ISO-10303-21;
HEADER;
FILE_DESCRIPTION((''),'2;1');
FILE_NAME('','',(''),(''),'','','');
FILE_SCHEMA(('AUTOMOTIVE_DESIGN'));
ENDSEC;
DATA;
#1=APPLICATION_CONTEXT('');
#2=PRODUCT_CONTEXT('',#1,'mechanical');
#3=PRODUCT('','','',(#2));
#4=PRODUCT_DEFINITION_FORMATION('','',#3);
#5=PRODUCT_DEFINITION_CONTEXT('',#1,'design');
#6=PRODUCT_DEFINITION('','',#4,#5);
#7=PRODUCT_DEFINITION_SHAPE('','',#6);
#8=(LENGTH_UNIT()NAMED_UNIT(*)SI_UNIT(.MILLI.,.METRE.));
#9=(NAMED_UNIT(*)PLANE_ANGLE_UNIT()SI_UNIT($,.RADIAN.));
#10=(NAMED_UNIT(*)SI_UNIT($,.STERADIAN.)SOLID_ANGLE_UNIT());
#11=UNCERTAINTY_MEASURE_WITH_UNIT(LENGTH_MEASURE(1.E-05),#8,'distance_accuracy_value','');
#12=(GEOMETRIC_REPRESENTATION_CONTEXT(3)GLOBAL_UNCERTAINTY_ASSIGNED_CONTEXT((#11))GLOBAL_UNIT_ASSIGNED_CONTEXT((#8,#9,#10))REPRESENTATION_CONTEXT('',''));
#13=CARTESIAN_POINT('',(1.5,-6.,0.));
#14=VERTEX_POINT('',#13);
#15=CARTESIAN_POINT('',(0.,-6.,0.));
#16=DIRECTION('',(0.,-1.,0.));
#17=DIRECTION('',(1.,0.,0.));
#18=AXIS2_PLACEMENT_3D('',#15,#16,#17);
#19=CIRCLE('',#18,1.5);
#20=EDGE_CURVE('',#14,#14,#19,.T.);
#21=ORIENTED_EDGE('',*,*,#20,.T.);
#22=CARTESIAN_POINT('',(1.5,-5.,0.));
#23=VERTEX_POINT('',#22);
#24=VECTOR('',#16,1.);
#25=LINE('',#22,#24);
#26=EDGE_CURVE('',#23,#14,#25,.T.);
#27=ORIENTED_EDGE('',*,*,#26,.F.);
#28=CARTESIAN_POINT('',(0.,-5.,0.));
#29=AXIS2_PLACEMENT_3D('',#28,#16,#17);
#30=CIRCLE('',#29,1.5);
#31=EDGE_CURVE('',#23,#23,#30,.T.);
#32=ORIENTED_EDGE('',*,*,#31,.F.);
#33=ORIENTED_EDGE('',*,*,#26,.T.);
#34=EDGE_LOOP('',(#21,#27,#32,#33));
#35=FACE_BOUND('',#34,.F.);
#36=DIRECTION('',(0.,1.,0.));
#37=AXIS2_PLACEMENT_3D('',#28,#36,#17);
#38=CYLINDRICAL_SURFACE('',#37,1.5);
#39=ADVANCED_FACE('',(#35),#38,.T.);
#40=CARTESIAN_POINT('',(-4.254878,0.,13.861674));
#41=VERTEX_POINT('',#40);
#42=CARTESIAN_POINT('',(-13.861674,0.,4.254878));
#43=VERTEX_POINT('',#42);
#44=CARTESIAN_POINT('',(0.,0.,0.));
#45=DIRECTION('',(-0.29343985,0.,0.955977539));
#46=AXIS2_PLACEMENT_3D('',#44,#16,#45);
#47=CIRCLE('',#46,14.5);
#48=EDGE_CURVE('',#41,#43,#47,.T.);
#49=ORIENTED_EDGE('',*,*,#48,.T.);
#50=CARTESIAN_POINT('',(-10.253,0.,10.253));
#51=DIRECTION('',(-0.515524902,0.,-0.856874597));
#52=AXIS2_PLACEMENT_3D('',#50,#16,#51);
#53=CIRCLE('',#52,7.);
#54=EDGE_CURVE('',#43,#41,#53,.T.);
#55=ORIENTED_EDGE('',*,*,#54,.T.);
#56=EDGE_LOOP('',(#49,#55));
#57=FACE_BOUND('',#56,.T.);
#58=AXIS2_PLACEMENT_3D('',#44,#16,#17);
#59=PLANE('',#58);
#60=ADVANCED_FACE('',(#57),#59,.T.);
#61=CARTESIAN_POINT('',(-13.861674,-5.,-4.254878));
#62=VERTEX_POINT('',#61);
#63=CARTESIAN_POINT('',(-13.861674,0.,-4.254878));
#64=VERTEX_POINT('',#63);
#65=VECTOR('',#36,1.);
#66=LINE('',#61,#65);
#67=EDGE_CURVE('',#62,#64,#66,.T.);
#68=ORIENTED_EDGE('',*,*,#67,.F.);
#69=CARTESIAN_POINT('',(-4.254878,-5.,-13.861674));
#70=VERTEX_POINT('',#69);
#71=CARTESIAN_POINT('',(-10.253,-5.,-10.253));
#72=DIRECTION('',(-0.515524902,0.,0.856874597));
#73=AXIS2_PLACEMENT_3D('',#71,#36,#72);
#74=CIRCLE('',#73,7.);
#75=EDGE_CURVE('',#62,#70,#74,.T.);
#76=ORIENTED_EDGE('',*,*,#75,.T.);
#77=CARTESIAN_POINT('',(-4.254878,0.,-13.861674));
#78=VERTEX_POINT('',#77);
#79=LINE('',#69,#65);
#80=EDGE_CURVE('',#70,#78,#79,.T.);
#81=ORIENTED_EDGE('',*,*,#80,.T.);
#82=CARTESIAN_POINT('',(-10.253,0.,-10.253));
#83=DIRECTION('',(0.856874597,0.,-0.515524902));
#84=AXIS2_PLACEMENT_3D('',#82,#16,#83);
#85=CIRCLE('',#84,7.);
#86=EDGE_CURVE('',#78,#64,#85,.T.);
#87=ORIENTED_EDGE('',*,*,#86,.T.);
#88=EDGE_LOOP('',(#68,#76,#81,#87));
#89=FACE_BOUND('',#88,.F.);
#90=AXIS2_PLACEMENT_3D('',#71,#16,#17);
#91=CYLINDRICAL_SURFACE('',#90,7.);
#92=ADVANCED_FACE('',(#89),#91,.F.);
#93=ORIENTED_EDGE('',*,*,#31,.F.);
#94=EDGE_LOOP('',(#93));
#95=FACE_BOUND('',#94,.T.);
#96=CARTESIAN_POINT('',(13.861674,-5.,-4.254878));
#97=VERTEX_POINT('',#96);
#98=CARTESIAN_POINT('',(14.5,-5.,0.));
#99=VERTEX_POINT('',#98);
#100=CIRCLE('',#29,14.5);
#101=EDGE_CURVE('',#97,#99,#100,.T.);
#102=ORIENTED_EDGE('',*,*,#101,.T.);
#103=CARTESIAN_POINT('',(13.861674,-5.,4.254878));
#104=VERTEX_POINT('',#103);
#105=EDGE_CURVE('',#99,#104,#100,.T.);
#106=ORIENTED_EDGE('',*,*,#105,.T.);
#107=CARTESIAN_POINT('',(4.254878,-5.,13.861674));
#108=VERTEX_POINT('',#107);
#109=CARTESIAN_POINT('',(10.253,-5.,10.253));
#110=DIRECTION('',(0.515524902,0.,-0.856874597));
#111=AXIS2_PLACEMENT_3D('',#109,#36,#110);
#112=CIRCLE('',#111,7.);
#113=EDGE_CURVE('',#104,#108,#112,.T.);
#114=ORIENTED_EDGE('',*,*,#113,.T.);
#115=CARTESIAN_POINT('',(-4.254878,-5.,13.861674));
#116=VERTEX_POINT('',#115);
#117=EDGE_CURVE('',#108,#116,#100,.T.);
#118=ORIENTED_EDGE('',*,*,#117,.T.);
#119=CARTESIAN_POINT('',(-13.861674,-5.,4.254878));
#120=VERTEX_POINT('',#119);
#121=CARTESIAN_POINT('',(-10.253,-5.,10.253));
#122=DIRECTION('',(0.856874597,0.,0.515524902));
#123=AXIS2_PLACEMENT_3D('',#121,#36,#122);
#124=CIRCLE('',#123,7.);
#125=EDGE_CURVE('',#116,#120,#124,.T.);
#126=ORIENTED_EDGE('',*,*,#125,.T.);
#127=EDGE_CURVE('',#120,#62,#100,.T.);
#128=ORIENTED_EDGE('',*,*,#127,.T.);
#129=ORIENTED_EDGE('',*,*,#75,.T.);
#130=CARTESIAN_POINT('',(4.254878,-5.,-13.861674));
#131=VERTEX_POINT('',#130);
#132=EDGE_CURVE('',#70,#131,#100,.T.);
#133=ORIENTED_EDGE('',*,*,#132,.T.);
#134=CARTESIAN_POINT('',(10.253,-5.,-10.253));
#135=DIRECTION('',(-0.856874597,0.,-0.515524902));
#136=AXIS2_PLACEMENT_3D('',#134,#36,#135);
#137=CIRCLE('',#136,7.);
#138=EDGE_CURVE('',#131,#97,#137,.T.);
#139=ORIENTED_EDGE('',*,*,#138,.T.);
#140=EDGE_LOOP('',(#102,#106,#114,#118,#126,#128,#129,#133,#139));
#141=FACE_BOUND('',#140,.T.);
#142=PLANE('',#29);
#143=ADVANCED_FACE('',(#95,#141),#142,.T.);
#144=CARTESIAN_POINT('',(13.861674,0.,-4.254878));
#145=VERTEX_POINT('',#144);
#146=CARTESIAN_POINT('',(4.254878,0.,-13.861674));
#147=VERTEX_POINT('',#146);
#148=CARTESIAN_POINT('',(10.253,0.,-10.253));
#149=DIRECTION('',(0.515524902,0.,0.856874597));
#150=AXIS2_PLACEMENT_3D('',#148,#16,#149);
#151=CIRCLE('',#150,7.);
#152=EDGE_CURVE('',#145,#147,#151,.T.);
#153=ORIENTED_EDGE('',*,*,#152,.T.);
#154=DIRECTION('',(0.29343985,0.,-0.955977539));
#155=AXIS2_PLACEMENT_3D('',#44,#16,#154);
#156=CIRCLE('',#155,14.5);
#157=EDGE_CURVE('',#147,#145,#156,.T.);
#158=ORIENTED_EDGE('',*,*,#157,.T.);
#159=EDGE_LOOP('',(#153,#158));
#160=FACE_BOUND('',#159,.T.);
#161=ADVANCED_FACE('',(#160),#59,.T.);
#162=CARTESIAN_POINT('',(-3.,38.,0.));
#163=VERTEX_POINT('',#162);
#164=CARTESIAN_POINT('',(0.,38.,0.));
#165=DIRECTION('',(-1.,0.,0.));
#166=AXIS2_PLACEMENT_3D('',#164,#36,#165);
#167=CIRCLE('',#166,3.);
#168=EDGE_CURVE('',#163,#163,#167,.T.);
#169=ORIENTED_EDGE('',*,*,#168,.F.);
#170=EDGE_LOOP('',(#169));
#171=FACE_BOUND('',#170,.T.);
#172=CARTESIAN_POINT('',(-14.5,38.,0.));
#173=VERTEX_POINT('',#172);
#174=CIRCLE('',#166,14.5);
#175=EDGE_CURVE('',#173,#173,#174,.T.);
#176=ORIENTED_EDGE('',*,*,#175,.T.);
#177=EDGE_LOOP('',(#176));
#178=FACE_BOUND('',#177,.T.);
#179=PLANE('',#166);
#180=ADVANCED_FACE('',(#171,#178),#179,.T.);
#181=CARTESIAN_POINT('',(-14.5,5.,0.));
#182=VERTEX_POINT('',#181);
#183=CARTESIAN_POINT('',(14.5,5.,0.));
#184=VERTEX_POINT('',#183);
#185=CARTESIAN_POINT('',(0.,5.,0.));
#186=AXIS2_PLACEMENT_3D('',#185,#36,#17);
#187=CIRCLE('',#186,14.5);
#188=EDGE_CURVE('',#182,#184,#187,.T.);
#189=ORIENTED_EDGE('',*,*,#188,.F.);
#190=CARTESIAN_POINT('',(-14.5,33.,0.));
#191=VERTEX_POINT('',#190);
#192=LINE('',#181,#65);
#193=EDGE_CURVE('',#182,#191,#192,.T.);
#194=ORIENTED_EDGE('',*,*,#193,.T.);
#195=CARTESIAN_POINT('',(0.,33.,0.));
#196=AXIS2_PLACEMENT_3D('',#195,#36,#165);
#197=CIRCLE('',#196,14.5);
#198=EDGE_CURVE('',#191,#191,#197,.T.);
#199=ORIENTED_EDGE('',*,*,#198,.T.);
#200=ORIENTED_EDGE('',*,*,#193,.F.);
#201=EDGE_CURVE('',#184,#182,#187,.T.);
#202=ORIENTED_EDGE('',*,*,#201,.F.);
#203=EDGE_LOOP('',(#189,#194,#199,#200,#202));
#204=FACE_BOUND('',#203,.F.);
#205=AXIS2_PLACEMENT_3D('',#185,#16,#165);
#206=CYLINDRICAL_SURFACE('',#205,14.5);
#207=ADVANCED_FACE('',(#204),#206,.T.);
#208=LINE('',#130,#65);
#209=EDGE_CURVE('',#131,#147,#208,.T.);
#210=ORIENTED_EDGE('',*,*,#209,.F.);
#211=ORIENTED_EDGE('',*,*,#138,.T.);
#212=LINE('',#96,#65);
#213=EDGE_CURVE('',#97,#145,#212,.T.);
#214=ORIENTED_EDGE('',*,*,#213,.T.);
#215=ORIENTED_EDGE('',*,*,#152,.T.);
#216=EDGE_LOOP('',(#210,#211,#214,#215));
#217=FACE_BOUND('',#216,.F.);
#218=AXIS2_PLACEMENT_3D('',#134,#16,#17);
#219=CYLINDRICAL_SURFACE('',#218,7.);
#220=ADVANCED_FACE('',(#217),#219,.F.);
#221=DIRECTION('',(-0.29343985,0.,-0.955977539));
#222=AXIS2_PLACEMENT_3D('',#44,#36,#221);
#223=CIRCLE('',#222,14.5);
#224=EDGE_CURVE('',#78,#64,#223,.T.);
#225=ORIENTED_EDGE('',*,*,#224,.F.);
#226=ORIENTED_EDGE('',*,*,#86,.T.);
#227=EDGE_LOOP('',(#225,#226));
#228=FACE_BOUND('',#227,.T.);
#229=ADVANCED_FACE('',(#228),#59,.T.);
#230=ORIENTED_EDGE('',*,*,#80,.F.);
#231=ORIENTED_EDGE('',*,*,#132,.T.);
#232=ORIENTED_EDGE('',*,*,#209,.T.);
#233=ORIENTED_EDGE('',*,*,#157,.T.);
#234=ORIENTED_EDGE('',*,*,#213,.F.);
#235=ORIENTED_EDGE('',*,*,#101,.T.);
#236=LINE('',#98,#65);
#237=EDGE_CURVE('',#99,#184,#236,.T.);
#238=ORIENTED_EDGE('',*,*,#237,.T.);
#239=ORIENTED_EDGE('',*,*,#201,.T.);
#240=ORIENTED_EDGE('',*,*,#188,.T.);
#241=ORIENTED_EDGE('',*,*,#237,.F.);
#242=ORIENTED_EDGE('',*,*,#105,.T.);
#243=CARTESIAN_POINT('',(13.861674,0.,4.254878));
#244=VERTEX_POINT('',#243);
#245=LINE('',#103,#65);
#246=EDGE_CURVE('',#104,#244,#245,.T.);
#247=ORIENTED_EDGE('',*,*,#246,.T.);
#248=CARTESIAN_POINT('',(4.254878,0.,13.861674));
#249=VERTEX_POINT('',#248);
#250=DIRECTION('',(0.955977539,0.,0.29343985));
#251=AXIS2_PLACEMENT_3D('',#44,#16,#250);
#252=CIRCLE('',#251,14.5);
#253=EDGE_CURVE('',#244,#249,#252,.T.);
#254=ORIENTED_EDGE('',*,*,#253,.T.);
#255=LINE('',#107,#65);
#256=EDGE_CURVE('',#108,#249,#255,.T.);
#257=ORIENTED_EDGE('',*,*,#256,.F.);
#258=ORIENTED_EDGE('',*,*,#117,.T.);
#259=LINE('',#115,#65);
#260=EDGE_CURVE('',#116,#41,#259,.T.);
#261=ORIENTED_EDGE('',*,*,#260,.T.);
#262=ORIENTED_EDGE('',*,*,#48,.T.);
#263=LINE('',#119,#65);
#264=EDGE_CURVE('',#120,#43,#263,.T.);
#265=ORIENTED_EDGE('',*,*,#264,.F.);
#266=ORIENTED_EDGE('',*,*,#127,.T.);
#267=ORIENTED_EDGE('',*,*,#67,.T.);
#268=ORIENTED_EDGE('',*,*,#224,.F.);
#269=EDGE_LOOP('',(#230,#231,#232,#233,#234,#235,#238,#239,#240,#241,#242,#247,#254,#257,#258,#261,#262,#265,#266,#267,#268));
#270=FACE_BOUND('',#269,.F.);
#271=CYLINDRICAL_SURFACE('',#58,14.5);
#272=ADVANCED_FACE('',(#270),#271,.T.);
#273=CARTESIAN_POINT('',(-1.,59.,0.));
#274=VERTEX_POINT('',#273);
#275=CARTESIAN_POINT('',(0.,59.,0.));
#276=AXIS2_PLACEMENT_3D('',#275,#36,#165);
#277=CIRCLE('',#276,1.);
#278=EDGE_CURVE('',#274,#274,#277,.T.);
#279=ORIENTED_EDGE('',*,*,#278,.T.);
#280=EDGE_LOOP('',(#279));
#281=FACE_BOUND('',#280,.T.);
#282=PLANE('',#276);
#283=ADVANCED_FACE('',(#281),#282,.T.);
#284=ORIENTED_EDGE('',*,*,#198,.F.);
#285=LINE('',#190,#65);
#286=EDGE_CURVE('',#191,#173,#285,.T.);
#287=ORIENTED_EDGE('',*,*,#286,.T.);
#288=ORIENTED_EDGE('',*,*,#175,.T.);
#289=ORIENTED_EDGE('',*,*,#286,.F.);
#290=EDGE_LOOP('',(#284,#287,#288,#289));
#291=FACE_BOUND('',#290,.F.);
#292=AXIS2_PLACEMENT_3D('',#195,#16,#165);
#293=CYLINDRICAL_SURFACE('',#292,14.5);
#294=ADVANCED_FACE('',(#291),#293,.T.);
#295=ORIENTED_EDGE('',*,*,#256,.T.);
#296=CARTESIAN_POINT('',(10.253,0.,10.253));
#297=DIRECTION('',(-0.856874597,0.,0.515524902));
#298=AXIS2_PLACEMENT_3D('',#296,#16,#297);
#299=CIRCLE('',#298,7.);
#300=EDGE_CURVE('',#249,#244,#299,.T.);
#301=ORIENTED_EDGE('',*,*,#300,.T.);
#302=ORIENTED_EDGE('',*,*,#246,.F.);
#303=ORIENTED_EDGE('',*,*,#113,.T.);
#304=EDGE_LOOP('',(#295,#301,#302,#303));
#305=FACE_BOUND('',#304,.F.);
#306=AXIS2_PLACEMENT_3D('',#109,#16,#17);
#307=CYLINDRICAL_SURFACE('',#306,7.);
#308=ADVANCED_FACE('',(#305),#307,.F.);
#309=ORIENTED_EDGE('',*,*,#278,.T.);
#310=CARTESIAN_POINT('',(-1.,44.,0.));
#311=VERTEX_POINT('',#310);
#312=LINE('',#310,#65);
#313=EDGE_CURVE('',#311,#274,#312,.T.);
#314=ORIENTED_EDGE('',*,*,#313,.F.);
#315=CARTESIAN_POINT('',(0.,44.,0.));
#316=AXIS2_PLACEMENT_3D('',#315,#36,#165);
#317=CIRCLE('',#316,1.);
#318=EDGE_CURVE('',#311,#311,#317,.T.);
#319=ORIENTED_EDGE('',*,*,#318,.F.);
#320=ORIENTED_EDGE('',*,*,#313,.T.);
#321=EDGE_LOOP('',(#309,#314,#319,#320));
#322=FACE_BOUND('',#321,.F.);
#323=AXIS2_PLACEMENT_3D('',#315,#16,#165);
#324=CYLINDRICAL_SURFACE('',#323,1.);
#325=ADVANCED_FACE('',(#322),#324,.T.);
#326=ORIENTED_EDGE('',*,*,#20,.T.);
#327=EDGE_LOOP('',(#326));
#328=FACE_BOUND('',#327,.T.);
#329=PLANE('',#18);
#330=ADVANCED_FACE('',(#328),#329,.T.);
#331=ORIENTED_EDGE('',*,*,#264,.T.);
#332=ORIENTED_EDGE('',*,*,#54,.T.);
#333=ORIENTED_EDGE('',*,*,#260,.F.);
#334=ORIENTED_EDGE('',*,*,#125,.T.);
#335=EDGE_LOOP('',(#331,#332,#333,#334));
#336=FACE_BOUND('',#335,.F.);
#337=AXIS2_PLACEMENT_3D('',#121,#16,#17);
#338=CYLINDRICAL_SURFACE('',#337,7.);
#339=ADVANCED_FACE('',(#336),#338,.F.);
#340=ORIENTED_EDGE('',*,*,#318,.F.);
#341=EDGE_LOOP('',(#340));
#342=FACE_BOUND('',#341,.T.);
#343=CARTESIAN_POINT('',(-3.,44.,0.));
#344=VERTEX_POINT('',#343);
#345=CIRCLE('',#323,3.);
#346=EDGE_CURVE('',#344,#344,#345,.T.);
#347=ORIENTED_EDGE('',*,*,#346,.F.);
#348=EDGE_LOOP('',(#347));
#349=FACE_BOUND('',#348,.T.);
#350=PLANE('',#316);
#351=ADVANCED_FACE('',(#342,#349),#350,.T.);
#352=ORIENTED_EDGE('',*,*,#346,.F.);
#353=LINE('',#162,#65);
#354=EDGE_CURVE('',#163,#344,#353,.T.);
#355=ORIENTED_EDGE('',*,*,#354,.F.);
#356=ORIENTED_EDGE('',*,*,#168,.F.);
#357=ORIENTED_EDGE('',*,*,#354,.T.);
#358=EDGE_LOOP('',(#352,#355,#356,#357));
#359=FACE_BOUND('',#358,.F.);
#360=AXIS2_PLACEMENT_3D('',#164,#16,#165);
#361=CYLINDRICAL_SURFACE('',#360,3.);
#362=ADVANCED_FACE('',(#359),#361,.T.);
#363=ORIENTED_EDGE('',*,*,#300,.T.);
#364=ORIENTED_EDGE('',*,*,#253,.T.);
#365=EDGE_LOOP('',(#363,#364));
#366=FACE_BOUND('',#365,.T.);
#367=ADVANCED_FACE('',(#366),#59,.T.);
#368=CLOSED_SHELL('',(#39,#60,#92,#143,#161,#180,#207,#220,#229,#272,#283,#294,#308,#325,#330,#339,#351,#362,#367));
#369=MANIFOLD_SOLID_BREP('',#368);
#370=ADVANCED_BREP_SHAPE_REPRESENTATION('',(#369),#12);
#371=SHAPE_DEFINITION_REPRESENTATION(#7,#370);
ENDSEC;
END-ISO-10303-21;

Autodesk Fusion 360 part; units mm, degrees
sketch "Sketch1" plane through (0, 0, 0) normal (0, 1, 0) x (1, 0, 0)
  circle A0 centre (0, 0) radius 14.5
  dimension "d1" = 29
extrude "Extrude1" add sketch "Sketch1" along normal blind 5
sketch "Sketch2" plane through (0, 0, 0) normal (0, -1, 0) x (1, 0, 0)
  circle A0 centre (0, 0) radius 14.5
  circle A1 centre (0, 0) radius 1.5
  circle A2 centre (0, 0) radius 14.5
  dimension "d4" = 3
extrude "Extrude2" add sketch "Sketch2" along normal blind 5 contours A0 A2 | A1
sketch "Sketch3" plane through (0, -5, 0) normal (0, -1, 0) x (1, 0, 0)
  circle A0 centre (0, 0) radius 14.5
  line L0 (0, 0) -> (10.253, 10.253)
  line L1 (0, 0) -> (14.5, 0) construction
  line L2 (0, 0) -> (10.253, -10.253)
  line L3 (0, 0) -> (-10.253, -10.253)
  line L4 (0, 0) -> (-10.253, 10.253)
  circle A1 centre (-10.253, -10.253) radius 7
  circle A2 centre (10.253, -10.253) radius 7
  circle A3 centre (10.253, 10.253) radius 7
  circle A4 centre (-10.253, 10.253) radius 7
  dimension "d7" = 45
  dimension "d8" = 14
  dimension "d9" = 14
  dimension "d10" = 14
  dimension "d11" = 14
extrude "Extrude3" cut sketch "Sketch3" against normal blind 5 contours A0 L0 A3 | A0 L2 A2 | A0 L0 A3 | A0 L2 A2 | A0 L4 A4 | A0 L3 A1 | A0 L3 A1 | A0 L4 A4
sketch "Sketch4" plane through (0, -5, 0) normal (0, -1, 0) x (1, 0, 0)
  arc A0 (-4.2549, -13.8617) -> (-13.8617, -4.2549) centre (-10.253, -10.253) ccw
  arc A1 (-4.2549, -13.8617) -> (4.2549, -13.8617) centre (0, 0) ccw
  arc A2 (13.8617, -4.2549) -> (4.2549, -13.8617) centre (10.253, -10.253) ccw
  arc A3 (13.8617, -4.2549) -> (13.8617, 4.2549) centre (0, 0) ccw
  arc A4 (4.2549, 13.8617) -> (13.8617, 4.2549) centre (10.253, 10.253) ccw
  arc A5 (4.2549, 13.8617) -> (-4.2549, 13.8617) centre (0, 0) ccw
  arc A6 (-13.8617, 4.2549) -> (-4.2549, 13.8617) centre (-10.253, 10.253) ccw
  arc A7 (-13.8617, 4.2549) -> (-13.8617, -4.2549) centre (0, 0) ccw
  circle A8 centre (0, 0) radius 1.5
  dimension "d14" = 3
extrude "Extrude4" add sketch "Sketch4" along normal blind 1 contours A8
sketch "Sketch5" plane through (0, 5, 0) normal (0, 1, 0) x (-1, 0, 0)
  circle A0 centre (0, 0) radius 14.5
  circle A1 centre (0, 0) radius 14.5
extrude "Extrude5" add sketch "Sketch5" along normal blind 28
sketch "Sketch6" plane through (0, 33, 0) normal (0, 1, 0) x (-1, 0, 0)
  circle A0 centre (0, 0) radius 14.5
  circle A1 centre (0, 0) radius 14.5
extrude "Extrude6" add sketch "Sketch6" along normal blind 5
sketch "Sketch7" plane through (0, 38, 0) normal (0, 1, 0) x (-1, 0, 0)
  circle A0 centre (0, 0) radius 14.5
  line L0 (0, 0) -> (10.253, -10.253)
  line L1 (0, 0) -> (14.5, 0) construction
  line L2 (0, 0) -> (-10.253, -10.253)
  line L3 (0, 0) -> (14.5, 0) construction
  line L4 (0, 0) -> (-10.253, 10.253)
  line L5 (-10.253, 10.253) -> (-6.7175, 6.7175)
  line L6 (-10.253, -10.253) -> (-6.7175, -6.7175)
  line L7 (10.253, -10.253) -> (6.7175, -6.7175)
  line L8 (10.253, 10.253) -> (8.8388, 8.8388)
  circle A1 centre (0, 0) radius 3.5
  circle A2 centre (0, 0) radius 12.5
  circle A3 centre (0, 0) radius 3
  dimension "d21" = 45
  dimension "d22" = 14.5
  dimension "d23" = 135
  dimension "d25" = 5
  dimension "d26" = 5
  dimension "d27" = 5
  dimension "d28" = 2
  dimension "d29" = 7
  dimension "d30" = 6
extrude "Extrude7" add sketch "Sketch7" along normal blind 6 contours L0 L2 A3 | L0 L4 A3 | L2 L4 A3
sketch "Sketch8" plane through (0, 44, 0) normal (0, 1, 0) x (-1, 0, 0)
  circle A0 centre (0, 0) radius 3
  circle A1 centre (0, 0) radius 1
  dimension "d33" = 2
extrude "Extrude8" add sketch "Sketch8" along normal blind 15 contours A1
equation "d8 = 0.7 cm * 2"
equation "d23 = 90 deg + 45 deg"
